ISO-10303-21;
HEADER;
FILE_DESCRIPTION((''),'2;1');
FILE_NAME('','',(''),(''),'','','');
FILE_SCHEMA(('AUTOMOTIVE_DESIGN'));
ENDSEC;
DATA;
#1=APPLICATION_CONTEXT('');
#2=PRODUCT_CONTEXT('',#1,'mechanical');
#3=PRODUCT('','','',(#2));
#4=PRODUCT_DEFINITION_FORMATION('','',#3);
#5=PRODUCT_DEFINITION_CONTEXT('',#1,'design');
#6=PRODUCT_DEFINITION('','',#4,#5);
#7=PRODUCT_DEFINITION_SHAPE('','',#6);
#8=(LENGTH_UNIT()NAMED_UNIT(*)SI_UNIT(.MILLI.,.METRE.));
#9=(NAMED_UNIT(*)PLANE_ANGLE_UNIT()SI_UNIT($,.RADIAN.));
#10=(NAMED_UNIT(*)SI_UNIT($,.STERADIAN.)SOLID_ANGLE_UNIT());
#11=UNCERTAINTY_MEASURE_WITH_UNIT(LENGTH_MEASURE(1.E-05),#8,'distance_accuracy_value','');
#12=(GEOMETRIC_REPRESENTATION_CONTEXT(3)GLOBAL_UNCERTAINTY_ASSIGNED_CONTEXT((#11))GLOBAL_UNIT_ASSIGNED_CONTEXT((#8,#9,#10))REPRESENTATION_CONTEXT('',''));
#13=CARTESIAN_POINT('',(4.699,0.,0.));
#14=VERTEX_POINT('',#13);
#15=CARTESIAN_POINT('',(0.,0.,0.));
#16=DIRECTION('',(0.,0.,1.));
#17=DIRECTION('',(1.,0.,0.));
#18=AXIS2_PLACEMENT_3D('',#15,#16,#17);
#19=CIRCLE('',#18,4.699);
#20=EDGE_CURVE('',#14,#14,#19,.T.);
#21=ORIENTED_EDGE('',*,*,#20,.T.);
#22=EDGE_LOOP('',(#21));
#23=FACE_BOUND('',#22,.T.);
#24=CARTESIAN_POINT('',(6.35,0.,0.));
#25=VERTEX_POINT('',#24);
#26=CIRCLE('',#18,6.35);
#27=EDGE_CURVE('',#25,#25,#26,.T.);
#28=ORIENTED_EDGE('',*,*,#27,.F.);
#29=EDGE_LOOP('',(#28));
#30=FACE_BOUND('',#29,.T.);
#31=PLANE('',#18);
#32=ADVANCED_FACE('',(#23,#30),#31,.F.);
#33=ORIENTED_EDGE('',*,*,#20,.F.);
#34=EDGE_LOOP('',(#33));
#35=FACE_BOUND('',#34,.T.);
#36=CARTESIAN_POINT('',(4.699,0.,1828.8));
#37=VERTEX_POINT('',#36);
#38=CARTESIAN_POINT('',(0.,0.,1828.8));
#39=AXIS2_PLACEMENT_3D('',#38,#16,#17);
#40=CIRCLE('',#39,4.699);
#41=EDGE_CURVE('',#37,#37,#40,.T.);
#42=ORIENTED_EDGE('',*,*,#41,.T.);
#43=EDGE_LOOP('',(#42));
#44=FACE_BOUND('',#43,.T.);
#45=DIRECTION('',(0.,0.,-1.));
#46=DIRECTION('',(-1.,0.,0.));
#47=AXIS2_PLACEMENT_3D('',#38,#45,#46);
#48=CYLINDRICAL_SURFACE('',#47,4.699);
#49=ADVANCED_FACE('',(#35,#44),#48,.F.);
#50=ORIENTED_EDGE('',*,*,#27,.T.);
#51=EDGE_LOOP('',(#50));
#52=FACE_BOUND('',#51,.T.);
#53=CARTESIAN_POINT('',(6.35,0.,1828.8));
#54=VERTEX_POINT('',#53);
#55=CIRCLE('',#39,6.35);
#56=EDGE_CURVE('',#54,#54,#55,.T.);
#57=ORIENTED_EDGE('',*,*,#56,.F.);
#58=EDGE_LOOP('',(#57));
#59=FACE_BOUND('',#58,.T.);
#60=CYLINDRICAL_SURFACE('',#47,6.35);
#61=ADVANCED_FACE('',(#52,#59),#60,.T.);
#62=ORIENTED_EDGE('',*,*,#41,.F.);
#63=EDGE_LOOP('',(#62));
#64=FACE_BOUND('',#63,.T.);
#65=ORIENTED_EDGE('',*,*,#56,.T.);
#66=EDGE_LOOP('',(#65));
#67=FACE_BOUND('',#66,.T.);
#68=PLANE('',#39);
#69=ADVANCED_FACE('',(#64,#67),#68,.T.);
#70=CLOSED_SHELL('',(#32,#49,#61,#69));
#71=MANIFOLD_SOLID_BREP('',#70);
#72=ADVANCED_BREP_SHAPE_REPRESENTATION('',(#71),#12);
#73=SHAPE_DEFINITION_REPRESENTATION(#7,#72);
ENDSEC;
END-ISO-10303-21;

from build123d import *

# Parameters (mm, degrees)
SKETCH1_R           = 6.35
SKETCH1_R_2         = 4.699
BOSS_EXTRUDE1_DEPTH = 1828.8


with BuildPart() as part:
    # Sketch1 → Boss-Extrude1 (new body)
    with BuildSketch(Plane.XY):
        Circle(SKETCH1_R)
        Circle(SKETCH1_R_2, mode=Mode.SUBTRACT)
    extrude(amount=BOSS_EXTRUDE1_DEPTH)


solid = part.part
